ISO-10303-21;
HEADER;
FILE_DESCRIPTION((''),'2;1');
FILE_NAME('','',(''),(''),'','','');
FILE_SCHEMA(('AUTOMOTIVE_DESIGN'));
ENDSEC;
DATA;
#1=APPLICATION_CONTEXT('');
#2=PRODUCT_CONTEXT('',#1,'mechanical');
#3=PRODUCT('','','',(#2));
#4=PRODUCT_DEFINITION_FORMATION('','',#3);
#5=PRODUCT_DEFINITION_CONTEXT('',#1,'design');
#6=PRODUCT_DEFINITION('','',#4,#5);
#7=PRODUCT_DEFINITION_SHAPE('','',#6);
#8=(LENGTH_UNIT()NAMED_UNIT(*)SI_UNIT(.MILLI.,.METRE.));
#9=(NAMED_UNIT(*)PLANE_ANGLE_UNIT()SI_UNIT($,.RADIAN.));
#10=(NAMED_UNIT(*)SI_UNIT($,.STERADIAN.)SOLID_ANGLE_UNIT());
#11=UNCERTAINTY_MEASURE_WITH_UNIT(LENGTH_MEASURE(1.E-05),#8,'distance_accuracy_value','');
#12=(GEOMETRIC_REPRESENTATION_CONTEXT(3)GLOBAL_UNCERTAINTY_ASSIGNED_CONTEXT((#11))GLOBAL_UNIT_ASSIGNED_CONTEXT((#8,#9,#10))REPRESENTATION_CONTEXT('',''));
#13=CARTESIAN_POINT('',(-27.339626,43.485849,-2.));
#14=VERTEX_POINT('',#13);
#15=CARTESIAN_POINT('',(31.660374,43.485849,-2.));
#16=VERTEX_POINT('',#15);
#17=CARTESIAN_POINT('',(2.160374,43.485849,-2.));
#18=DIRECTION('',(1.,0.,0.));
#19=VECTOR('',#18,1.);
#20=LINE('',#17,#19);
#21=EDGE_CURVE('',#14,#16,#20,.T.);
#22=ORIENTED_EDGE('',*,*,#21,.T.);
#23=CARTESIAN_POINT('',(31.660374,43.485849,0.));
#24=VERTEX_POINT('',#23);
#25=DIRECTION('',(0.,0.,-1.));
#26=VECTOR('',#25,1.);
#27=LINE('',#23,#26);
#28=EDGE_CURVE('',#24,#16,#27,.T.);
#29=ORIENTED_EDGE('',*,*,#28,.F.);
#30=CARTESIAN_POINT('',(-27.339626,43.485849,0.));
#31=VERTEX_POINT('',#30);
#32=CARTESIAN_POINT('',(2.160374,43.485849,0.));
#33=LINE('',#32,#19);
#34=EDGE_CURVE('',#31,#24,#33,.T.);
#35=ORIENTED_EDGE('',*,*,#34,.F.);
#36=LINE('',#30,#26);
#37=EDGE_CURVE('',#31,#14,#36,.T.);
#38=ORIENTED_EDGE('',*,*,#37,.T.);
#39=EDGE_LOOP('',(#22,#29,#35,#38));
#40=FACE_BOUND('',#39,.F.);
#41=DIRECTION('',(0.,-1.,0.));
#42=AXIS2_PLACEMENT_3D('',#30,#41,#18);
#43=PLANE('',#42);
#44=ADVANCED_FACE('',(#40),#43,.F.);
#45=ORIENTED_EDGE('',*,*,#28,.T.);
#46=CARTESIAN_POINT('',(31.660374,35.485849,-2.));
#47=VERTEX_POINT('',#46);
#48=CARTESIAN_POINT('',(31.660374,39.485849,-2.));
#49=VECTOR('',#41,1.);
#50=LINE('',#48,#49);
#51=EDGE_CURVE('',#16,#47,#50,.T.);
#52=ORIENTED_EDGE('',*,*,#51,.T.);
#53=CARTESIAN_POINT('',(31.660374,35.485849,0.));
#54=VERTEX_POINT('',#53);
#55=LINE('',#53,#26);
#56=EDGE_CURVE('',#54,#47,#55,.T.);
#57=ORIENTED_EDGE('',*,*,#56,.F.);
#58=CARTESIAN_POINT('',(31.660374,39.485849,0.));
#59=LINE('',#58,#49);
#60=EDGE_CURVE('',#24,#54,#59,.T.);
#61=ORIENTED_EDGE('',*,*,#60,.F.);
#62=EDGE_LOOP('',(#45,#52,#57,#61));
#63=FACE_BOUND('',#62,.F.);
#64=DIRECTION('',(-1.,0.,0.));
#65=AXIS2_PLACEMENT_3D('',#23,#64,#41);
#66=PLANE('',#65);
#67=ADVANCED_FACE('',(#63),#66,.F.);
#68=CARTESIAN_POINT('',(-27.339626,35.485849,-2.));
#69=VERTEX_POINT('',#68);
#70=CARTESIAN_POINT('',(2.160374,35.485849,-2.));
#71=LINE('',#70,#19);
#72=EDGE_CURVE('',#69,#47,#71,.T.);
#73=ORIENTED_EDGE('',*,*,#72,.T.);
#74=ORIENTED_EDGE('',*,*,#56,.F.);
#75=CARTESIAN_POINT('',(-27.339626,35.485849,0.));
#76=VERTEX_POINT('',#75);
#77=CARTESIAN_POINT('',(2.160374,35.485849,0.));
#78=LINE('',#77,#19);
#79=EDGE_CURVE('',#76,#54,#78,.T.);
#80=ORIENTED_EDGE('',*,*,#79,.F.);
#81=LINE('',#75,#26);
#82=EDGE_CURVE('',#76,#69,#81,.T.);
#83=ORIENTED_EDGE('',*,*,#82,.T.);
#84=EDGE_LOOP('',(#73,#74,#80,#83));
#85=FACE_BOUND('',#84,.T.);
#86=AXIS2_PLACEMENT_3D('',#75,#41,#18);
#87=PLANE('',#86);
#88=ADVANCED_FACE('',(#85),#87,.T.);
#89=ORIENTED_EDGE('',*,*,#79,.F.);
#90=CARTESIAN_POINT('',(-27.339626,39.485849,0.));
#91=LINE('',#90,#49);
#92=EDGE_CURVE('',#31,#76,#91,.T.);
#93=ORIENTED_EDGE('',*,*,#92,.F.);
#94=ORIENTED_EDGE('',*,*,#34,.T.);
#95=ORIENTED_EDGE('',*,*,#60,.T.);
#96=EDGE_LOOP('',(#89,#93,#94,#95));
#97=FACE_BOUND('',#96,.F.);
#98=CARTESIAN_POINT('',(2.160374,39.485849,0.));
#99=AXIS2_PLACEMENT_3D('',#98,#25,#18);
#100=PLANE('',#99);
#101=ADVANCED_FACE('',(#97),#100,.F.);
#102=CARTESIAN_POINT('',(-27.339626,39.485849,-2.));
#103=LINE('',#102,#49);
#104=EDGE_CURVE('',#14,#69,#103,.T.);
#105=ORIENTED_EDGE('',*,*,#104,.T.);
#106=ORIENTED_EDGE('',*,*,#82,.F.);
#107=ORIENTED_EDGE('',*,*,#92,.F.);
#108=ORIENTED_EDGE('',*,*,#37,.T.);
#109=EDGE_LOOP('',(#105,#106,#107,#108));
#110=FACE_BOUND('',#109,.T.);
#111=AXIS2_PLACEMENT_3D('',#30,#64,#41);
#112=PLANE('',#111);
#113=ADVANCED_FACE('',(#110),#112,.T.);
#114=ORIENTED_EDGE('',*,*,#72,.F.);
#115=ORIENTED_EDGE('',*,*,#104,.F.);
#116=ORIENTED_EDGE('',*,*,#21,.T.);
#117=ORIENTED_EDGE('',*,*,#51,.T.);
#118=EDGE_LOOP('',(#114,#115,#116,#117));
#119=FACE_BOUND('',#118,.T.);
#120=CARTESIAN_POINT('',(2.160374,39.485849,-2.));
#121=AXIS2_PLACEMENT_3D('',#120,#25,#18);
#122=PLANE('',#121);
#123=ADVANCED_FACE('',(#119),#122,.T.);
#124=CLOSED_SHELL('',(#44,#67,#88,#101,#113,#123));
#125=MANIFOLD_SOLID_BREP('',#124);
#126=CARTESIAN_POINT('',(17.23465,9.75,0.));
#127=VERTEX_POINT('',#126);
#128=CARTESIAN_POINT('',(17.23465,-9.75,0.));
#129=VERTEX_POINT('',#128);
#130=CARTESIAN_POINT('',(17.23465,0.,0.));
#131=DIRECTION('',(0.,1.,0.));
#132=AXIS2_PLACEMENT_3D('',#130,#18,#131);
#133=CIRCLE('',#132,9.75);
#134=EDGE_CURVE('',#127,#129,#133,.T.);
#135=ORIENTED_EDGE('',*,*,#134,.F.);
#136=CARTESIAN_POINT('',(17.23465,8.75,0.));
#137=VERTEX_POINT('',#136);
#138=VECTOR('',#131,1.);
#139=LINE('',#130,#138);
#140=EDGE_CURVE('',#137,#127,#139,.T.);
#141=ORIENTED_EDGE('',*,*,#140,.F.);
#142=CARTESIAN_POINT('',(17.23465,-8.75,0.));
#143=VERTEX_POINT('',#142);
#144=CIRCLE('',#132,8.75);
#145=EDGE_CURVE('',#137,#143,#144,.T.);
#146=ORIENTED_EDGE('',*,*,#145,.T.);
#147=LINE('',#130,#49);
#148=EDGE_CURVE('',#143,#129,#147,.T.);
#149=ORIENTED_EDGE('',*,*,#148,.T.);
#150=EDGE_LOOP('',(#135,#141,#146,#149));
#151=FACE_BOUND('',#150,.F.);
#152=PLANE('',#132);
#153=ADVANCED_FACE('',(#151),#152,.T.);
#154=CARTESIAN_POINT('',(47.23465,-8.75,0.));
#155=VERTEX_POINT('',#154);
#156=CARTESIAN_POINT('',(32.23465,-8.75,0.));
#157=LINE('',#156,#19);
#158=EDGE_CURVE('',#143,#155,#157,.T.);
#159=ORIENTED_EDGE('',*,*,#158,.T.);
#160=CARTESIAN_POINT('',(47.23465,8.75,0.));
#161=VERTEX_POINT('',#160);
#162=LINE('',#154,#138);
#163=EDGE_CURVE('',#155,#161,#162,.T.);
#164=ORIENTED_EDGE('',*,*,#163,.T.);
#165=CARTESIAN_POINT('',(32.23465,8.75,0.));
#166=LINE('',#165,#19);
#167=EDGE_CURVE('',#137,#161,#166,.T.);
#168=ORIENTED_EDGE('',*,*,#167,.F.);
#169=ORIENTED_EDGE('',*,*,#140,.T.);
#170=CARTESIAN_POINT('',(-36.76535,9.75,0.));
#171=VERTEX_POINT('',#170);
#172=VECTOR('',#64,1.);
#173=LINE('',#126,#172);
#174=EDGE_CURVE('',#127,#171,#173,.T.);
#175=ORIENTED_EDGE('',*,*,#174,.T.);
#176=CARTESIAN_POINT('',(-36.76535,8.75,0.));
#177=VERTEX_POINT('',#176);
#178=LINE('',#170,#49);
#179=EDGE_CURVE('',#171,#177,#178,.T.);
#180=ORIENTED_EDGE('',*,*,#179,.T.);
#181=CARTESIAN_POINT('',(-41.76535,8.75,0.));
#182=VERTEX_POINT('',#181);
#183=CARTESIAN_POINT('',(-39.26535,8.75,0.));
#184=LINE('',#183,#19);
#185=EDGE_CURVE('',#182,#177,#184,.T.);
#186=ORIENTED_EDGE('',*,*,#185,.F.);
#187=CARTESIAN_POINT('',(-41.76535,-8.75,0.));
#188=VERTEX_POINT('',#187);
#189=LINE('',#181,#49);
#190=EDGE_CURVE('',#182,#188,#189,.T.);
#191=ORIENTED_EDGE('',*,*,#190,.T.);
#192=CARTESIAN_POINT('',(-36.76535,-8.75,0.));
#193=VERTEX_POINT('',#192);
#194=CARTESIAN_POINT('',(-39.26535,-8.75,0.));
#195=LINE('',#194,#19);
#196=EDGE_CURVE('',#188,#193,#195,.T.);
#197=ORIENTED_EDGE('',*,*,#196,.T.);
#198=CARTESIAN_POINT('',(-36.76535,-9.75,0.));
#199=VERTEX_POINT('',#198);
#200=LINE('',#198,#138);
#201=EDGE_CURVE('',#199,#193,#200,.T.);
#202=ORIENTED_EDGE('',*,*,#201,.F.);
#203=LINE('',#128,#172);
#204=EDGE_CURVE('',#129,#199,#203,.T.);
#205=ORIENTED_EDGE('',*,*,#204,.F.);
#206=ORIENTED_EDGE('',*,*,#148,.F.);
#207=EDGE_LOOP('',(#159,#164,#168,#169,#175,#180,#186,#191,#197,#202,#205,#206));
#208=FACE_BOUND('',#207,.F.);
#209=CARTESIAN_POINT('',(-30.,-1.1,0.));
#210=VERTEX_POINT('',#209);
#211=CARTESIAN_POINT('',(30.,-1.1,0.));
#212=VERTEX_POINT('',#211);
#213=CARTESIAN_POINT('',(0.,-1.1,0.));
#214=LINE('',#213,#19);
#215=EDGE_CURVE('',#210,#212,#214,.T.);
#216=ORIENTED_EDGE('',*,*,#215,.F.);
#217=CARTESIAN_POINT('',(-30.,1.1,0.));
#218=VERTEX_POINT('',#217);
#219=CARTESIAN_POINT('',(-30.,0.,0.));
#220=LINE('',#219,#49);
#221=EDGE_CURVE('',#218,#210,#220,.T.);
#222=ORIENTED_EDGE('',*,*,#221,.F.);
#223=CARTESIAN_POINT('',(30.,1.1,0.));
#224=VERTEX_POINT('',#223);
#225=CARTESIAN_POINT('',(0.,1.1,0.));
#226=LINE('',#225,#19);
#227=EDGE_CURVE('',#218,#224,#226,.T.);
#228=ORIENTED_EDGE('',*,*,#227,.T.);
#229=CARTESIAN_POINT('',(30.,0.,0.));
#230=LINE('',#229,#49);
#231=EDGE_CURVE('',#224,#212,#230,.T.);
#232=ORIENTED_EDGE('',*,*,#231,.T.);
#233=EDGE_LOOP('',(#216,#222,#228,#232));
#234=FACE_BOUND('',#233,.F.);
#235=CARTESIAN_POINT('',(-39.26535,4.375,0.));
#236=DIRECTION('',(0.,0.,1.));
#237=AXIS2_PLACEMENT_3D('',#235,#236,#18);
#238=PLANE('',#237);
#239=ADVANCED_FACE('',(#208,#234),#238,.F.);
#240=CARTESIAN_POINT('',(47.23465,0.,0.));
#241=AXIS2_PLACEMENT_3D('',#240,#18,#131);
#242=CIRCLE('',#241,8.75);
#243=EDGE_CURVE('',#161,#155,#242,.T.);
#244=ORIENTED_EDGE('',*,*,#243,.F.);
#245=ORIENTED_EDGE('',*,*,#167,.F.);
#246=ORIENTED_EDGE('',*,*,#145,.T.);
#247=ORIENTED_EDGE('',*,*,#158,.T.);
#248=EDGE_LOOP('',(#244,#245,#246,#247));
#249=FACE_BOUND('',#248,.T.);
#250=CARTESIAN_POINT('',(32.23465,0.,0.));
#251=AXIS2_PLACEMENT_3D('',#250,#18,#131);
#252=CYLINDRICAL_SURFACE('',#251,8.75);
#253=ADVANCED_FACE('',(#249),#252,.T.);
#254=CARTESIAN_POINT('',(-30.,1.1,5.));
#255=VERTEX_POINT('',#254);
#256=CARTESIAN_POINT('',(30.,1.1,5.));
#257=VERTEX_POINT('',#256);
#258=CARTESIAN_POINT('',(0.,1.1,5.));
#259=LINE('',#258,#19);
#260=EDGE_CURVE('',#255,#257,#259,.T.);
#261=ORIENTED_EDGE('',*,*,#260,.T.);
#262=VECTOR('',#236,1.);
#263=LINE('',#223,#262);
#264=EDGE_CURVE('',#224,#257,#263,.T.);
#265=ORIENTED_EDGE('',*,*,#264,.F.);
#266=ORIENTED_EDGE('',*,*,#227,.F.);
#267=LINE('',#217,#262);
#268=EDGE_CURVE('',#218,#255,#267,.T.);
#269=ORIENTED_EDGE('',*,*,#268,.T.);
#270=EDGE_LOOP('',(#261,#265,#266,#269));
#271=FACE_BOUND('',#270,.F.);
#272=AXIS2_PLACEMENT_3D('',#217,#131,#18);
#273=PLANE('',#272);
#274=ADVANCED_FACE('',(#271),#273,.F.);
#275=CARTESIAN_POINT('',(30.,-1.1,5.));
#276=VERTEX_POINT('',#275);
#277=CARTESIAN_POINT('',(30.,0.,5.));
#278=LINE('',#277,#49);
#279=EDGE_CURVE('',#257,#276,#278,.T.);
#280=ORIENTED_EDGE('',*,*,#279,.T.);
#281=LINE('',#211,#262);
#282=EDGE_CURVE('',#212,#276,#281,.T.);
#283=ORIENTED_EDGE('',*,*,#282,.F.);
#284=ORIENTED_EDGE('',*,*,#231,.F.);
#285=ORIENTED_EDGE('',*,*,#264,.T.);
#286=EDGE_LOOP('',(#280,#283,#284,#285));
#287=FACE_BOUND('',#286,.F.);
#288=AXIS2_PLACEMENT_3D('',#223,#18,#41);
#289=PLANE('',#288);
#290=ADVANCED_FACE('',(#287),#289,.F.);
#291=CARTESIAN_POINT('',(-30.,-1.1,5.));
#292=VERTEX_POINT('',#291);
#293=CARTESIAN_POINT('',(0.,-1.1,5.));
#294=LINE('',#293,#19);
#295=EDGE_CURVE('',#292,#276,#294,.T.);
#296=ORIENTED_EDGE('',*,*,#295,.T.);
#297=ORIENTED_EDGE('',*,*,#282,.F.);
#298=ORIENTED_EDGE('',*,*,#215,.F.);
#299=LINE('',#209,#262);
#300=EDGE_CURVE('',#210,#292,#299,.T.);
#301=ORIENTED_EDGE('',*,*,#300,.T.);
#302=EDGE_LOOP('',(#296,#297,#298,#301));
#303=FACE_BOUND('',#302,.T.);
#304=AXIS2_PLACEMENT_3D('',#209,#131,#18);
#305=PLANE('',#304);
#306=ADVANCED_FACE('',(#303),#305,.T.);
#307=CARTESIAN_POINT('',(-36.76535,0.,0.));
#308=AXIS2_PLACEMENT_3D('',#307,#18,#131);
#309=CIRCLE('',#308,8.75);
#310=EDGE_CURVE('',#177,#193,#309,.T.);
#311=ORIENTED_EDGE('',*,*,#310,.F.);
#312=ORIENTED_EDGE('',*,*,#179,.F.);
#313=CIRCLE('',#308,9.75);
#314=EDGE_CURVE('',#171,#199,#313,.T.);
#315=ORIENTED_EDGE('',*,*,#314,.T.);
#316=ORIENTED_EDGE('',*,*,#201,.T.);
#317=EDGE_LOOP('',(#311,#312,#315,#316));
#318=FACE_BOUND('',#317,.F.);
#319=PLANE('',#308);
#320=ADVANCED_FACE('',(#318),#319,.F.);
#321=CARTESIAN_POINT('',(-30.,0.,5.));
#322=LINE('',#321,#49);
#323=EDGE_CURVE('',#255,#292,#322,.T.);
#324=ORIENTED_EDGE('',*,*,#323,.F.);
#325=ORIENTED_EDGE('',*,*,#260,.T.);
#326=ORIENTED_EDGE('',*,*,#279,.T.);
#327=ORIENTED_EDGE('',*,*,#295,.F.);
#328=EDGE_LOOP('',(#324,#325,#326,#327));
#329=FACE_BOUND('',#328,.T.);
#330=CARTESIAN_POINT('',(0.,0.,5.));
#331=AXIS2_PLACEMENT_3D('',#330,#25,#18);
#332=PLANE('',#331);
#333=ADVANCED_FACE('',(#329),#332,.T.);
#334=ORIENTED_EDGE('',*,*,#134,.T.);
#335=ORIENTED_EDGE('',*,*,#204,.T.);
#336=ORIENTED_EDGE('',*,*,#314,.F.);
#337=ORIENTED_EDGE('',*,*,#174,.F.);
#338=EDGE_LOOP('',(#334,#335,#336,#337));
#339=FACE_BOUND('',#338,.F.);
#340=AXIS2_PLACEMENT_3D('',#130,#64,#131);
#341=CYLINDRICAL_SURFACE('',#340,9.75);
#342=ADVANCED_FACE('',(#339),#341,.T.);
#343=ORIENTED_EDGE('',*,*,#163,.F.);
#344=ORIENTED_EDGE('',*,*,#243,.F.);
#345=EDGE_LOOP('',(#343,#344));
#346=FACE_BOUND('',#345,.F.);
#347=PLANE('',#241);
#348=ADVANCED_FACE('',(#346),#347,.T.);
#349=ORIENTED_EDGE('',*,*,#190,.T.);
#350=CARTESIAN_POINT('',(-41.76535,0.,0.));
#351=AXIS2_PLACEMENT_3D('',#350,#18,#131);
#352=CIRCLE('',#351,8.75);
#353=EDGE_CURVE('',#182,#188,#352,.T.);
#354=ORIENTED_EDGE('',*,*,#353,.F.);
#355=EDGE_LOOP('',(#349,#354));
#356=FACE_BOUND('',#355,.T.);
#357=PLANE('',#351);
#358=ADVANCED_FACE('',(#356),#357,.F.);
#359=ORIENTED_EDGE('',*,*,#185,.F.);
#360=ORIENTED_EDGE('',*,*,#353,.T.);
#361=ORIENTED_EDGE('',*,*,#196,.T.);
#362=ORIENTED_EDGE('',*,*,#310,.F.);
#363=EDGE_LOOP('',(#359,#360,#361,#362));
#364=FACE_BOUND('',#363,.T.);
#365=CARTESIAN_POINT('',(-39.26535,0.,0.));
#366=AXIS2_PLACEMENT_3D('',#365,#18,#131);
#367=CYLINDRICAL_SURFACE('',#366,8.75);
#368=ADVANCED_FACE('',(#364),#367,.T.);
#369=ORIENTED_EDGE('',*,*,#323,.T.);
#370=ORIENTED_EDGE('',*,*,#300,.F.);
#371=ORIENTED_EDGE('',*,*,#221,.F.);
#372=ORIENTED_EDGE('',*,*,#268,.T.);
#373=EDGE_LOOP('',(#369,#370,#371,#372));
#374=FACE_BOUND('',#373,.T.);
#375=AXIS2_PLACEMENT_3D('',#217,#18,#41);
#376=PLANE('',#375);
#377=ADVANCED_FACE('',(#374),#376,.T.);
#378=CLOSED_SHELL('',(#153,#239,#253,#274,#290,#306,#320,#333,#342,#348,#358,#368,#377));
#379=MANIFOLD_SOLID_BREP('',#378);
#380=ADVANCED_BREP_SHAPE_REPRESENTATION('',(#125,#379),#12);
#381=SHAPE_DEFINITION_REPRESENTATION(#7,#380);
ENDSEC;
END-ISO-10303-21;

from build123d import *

# Parameters (mm, degrees)
F0_W     = 5
F0_H     = 8.75
F0_W_2   = 30
F1_ANGLE = 180
F2_W     = 60
F2_H     = 2.2
F3_DEPTH = 5
F2_W_2   = 59
F2_H_2   = 8
F4_DEPTH = 2


with BuildPart() as f1:
    # F0 (on Top) → F1 (revolve)
    with BuildSketch(Plane.XY):
        with Locations((-39.26535, 4.375)):
            Rectangle(F0_W, F0_H)
        Polygon((-36.76535, 8.75), (-36.76535, 0), (17.23465, 0), (17.23465, 8.75), (17.23465, 9.75), (-36.76535, 9.75), align=None)
        with Locations((32.23465, 4.375)):
            Rectangle(F0_W_2, F0_H)
    revolve(axis=Axis((-9.76535, 0, 0), (1, 0, 0)), revolution_arc=F1_ANGLE)

    # F2 (on face) → F3 (cut)
    with BuildSketch(Plane(origin=(0, 0, 0), x_dir=(1, 0, 0), z_dir=(0, 0, -1))):
        Rectangle(F2_W, F2_H)
    extrude(amount=-F3_DEPTH, mode=Mode.SUBTRACT)


with BuildPart() as f4:
    # F2 (on face) → F4 (new body)
    with BuildSketch(Plane(origin=(0, 0, 0), x_dir=(1, 0, 0), z_dir=(0, 0, -1))):
        with Locations((2.160374, -39.485849)):
            Rectangle(F2_W_2, F2_H_2)
    extrude(amount=F4_DEPTH)


solid = Compound([f1.part, f4.part])
